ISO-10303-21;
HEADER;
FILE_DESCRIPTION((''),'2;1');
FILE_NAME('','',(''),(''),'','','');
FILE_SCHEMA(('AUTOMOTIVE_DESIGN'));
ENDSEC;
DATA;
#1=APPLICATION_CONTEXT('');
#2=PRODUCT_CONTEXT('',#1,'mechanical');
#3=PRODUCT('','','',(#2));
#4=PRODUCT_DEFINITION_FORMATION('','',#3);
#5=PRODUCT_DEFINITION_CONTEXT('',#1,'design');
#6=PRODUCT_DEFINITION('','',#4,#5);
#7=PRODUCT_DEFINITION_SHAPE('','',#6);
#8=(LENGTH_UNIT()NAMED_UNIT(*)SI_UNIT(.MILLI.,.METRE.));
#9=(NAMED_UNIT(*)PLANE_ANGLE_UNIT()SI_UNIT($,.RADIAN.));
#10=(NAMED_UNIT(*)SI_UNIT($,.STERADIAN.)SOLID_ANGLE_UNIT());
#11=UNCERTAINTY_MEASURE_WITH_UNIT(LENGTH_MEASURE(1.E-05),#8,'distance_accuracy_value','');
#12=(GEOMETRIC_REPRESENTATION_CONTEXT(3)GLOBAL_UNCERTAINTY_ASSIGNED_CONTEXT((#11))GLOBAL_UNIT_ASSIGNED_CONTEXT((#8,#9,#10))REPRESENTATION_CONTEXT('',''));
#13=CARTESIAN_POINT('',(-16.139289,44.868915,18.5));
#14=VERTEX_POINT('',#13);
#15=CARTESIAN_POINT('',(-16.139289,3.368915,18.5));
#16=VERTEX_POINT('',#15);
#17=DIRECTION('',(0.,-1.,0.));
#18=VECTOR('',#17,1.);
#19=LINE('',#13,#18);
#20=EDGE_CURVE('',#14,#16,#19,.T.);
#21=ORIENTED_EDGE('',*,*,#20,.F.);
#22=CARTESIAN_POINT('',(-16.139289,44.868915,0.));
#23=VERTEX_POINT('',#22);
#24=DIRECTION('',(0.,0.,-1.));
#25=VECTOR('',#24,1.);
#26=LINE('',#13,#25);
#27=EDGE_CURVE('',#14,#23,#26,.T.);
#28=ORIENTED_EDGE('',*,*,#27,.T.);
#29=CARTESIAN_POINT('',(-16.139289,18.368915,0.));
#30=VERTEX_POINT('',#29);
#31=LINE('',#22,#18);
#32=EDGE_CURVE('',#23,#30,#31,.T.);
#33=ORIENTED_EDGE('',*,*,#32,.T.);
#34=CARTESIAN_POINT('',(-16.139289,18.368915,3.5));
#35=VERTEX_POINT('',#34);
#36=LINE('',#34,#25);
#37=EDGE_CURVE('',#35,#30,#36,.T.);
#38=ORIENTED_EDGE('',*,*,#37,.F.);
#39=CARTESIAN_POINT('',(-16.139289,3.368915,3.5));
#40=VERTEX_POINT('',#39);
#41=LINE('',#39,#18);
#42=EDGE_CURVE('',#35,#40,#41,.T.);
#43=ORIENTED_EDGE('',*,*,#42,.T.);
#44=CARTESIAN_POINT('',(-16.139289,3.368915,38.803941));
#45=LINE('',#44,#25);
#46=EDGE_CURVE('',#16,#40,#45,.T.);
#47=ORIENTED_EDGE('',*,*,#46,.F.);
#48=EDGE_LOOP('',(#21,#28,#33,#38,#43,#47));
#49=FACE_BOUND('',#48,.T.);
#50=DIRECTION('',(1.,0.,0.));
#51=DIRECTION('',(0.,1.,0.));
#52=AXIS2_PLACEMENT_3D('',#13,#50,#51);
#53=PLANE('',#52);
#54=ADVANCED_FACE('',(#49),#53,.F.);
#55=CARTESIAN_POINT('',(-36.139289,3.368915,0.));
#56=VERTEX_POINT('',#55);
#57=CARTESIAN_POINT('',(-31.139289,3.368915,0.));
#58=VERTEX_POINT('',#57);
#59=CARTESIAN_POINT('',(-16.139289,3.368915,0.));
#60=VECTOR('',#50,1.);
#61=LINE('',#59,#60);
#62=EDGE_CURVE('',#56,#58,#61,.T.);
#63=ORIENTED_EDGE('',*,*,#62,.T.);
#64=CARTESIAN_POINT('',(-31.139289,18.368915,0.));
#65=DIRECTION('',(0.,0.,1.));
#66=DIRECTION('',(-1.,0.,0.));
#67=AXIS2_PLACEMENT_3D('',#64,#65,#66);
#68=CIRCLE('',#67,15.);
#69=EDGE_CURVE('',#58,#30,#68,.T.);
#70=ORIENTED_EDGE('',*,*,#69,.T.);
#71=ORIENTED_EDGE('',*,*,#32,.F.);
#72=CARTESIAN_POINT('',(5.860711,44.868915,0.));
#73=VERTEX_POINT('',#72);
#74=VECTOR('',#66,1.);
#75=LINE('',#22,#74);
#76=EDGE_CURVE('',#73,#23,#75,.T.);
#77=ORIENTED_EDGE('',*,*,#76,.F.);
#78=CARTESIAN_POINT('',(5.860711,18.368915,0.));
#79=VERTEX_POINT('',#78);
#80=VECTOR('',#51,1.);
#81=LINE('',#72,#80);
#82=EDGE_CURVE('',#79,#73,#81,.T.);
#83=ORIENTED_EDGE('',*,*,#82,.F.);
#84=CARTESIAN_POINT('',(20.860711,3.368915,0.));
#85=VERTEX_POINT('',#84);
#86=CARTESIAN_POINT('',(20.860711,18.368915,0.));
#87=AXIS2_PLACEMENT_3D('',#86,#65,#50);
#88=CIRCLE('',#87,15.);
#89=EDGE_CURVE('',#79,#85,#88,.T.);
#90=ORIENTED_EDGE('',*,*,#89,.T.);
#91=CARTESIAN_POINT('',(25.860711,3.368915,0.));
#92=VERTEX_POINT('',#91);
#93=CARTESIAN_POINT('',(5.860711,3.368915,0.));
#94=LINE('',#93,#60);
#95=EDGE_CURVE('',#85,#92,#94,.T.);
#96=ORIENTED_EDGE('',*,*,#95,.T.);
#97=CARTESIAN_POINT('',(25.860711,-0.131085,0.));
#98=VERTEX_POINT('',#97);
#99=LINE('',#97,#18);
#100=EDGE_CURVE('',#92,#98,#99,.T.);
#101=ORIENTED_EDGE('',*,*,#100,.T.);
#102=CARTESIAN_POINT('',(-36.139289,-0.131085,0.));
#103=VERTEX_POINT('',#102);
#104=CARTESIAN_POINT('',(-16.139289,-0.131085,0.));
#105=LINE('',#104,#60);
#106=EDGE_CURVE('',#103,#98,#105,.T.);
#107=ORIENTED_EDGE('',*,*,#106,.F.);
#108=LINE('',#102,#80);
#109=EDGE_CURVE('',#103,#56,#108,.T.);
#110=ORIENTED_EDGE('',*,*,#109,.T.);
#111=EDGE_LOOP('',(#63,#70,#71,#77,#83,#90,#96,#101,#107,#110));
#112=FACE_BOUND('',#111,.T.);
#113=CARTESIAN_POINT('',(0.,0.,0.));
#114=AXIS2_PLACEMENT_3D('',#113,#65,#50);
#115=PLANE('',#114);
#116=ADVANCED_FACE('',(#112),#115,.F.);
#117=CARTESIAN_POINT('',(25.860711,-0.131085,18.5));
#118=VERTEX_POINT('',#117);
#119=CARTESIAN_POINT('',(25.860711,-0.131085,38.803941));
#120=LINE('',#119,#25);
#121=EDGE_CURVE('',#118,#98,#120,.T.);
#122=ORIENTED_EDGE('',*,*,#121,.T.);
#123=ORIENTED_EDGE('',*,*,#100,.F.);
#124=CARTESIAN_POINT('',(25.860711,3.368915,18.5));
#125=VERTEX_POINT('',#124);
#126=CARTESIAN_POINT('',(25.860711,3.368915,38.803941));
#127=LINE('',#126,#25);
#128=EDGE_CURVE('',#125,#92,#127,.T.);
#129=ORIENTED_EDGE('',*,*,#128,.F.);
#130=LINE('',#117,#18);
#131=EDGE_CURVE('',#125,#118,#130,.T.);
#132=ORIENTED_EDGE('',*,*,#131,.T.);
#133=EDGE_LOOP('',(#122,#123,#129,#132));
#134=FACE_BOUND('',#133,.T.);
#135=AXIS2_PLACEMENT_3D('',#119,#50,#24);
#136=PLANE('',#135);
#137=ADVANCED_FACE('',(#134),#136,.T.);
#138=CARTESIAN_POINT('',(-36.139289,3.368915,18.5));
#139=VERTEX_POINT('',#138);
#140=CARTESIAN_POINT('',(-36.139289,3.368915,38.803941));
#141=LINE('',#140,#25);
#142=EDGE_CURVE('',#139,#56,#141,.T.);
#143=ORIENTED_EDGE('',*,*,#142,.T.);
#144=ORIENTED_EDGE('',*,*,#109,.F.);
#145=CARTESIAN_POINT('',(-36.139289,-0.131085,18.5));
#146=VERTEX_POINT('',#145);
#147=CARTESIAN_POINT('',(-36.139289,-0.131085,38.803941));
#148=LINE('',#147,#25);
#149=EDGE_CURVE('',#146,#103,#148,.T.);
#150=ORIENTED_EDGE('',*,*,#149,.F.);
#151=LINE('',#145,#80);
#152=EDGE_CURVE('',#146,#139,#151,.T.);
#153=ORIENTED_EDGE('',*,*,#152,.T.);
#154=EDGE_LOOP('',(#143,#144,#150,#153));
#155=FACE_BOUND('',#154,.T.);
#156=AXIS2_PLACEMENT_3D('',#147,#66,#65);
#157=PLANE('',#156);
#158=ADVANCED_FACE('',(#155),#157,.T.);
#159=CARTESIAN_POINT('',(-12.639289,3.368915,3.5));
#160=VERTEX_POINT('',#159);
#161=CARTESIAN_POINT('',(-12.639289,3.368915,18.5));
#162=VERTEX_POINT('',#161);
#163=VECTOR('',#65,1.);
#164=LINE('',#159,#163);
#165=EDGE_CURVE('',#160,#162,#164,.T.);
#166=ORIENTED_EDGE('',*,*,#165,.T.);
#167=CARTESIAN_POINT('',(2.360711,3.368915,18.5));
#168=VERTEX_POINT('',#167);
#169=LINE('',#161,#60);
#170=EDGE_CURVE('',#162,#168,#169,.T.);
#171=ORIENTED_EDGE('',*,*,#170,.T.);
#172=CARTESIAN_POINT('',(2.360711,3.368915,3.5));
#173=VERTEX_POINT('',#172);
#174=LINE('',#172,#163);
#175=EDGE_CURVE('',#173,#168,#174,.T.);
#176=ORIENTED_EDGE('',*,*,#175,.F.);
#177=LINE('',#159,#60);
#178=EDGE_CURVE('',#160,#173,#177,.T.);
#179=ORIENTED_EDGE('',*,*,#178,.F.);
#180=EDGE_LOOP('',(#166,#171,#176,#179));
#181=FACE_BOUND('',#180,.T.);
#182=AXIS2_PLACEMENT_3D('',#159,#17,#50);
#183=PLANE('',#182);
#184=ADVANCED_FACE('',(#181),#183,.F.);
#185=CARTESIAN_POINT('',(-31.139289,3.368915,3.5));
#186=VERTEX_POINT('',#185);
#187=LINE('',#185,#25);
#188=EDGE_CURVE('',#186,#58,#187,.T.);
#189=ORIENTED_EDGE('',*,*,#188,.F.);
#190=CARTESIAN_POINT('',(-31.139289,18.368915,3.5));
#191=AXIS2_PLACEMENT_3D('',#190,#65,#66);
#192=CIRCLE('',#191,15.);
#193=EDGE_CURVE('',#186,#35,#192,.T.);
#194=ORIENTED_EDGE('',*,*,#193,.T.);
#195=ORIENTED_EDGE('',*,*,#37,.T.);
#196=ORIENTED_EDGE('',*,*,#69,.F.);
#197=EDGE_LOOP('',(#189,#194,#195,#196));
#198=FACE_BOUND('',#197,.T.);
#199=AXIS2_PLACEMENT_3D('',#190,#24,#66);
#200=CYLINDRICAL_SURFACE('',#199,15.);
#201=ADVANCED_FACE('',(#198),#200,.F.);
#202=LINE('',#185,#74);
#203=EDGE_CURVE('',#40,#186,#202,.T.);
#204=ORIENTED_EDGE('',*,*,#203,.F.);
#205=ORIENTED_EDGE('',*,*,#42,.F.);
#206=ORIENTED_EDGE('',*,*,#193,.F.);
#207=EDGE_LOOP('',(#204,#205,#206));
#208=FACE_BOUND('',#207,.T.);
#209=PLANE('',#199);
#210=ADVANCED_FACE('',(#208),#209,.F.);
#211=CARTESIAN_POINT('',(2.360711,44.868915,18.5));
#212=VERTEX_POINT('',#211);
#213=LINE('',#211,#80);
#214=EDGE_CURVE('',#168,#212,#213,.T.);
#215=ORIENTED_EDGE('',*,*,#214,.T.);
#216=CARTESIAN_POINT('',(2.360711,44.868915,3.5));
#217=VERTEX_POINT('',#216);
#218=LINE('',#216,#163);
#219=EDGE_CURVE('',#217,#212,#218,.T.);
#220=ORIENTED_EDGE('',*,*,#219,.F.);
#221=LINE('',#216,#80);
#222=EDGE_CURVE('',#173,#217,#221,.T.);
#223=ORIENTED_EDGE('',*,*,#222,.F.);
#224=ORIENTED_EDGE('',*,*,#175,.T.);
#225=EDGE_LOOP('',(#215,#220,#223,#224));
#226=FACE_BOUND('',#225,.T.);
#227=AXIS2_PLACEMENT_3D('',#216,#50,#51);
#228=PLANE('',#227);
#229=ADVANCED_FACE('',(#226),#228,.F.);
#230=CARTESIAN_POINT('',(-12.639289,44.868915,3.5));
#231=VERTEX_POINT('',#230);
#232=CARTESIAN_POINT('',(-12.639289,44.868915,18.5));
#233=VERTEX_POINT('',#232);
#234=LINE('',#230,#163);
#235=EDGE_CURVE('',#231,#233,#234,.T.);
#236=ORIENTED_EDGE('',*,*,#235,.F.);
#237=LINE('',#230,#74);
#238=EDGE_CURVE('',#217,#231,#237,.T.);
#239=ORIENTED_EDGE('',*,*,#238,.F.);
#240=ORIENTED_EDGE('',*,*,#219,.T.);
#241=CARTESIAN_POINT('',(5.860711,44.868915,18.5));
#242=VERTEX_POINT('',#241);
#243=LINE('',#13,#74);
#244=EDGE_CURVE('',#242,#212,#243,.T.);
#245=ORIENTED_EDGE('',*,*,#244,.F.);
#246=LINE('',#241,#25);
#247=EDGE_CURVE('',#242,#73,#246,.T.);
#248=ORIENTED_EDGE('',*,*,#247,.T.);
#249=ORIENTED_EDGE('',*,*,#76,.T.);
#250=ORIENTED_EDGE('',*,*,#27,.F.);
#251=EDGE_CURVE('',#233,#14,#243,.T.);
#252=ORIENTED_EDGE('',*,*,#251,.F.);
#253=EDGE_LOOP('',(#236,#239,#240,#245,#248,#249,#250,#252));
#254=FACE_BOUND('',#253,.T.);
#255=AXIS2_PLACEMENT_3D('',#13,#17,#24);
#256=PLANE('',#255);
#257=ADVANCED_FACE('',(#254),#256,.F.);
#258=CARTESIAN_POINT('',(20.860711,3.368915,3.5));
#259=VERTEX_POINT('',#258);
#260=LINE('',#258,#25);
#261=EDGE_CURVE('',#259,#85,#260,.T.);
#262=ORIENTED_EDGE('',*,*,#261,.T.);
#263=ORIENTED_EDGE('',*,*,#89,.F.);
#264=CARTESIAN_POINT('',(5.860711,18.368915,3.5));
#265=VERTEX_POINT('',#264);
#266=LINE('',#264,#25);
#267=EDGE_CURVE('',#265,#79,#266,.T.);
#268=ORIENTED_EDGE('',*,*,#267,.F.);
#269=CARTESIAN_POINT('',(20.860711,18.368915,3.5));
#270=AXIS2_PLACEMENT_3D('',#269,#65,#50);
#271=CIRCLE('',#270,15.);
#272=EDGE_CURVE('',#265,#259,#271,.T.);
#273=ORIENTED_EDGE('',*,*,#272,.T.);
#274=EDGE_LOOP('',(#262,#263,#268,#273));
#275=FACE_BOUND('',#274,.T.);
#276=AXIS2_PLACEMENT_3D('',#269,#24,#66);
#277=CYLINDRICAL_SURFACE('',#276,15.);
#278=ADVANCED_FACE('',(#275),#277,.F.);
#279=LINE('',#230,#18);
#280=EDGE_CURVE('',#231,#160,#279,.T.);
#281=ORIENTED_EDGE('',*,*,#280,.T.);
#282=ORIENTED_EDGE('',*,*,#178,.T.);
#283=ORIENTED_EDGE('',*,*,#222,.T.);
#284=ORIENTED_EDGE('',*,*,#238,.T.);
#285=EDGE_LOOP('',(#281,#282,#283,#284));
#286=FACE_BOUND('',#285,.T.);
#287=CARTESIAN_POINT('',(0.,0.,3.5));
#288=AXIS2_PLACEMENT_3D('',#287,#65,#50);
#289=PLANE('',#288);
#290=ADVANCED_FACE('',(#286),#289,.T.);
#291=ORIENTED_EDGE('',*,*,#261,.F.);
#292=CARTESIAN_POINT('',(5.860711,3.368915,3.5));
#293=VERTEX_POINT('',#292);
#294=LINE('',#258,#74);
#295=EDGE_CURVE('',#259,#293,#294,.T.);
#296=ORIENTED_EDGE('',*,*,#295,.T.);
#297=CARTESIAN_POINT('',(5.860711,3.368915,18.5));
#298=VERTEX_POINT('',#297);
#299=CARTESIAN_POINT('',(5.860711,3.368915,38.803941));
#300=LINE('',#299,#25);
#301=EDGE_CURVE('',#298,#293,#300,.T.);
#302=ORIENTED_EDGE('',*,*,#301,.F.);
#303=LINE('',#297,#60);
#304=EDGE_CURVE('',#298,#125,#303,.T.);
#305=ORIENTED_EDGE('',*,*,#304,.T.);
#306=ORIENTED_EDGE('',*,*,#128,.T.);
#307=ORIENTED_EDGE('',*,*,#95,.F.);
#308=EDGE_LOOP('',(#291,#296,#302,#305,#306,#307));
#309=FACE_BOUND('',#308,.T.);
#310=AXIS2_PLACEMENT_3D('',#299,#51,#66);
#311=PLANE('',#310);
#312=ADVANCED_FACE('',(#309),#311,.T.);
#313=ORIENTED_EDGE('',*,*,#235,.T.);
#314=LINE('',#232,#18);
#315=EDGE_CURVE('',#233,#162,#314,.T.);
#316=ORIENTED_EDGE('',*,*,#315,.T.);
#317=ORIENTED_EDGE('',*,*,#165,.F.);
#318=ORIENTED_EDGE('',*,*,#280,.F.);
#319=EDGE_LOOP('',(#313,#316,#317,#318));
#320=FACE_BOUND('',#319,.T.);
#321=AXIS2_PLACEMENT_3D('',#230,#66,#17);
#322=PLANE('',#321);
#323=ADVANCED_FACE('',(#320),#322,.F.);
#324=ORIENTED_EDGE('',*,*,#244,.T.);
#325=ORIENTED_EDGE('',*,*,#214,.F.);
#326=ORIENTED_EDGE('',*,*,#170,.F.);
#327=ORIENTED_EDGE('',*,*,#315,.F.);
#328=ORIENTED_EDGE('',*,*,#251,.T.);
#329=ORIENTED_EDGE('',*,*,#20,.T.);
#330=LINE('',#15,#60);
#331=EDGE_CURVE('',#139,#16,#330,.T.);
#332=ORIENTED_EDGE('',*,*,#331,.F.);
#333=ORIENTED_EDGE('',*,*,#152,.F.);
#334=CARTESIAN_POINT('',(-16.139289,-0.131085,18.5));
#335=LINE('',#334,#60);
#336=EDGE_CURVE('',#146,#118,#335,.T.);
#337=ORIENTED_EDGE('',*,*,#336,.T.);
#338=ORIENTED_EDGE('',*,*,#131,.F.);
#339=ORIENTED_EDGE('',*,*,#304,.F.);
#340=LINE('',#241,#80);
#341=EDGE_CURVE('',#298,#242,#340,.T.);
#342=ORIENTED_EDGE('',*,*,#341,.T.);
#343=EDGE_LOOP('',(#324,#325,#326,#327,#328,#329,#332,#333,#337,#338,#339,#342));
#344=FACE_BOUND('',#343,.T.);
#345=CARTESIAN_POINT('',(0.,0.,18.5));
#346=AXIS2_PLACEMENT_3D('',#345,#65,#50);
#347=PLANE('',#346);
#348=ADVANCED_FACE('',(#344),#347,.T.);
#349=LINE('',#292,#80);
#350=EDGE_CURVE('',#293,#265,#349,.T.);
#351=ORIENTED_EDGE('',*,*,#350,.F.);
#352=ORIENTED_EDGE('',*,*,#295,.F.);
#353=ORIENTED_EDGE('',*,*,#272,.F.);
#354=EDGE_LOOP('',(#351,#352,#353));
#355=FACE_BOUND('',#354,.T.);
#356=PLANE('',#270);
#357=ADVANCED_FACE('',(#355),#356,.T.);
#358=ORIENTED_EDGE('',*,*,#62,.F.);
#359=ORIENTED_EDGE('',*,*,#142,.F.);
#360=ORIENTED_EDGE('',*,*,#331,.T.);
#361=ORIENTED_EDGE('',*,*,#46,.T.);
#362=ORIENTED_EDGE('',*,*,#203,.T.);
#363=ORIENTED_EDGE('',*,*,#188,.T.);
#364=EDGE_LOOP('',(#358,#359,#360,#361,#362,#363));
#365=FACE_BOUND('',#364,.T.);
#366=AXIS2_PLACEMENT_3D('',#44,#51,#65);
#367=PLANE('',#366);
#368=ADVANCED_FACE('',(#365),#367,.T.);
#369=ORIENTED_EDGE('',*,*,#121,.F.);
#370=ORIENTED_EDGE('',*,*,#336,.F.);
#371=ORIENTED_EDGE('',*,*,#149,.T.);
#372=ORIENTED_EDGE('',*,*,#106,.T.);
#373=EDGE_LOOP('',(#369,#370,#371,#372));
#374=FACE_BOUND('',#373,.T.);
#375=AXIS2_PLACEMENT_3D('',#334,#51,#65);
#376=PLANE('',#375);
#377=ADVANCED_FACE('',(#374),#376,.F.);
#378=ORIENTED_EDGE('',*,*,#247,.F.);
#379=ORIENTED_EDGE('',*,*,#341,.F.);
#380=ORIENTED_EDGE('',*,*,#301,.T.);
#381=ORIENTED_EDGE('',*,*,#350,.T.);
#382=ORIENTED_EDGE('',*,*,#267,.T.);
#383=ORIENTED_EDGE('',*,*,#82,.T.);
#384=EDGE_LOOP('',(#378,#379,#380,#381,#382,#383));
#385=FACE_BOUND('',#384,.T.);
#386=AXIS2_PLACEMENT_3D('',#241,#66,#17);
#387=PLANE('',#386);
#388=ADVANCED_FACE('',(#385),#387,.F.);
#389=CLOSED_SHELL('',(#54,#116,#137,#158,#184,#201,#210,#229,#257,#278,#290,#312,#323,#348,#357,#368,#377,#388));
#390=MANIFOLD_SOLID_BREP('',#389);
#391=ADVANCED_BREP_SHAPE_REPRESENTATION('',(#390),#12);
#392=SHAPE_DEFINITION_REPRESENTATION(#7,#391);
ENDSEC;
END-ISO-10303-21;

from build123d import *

# Parameters (mm, degrees)
SKETCH1_W           = 22
SKETCH1_H           = 45
BOSS_EXTRUDE1_DEPTH = 18.5
SKETCH2_W           = 15
SKETCH2_H           = 41.5
CUT_EXTRUDE1_DEPTH  = 15
SKETCH3_W           = 20
SKETCH3_H           = 3.5
BOSS_EXTRUDE2_DEPTH = 18.5
BOSS_EXTRUDE3_DEPTH = 3.5


with BuildPart() as part:
    # Sketch1 → Boss-Extrude1 (new body)
    with BuildSketch(Plane.XY):
        with Locations((-5.139289452, 22.368914656)):
            Rectangle(SKETCH1_W, SKETCH1_H)
    extrude(amount=BOSS_EXTRUDE1_DEPTH)

    # Sketch2 → Cut-Extrude1 (cut)
    with BuildSketch(Plane.XY.offset(18.5)):
        with Locations((-5.139289452, 24.118914656)):
            Rectangle(SKETCH2_W, SKETCH2_H)
    extrude(amount=-CUT_EXTRUDE1_DEPTH, mode=Mode.SUBTRACT)

    # Sketch3 → Boss-Extrude2 (add)
    with BuildSketch(Plane(origin=(0, 0, 0), x_dir=(-1, 0, 0), z_dir=(0, 0, -1))):
        with Locations((26.139289452, 1.618914656)):
            Rectangle(SKETCH3_W, SKETCH3_H)
        with Locations((-15.860710548, 1.618914656)):
            Rectangle(SKETCH3_W, SKETCH3_H)
    extrude(amount=-BOSS_EXTRUDE2_DEPTH)

    # Sketch4 → Boss-Extrude3 (add)
    with BuildSketch(Plane(origin=(0, 0, 0), x_dir=(-1, 0, 0), z_dir=(0, 0, -1))):
        with BuildLine():
            Line((31.139289452, 3.368914656), (16.139289452, 3.368914656))
            Line((16.139289452, 3.368914656), (16.139289452, 18.368914656))
            ThreePointArc((16.139289452, 18.368914656), (20.532687735, 7.762312938), (31.139289452, 3.368914656))
        make_face()
        with BuildLine():
            Line((-20.860710548, 3.368914656), (-5.860710548, 3.368914656))
            Line((-5.860710548, 3.368914656), (-5.860710548, 18.368914656))
            ThreePointArc((-5.860710548, 18.368914656), (-10.25410883, 7.762312938), (-20.860710548, 3.368914656))
        make_face()
    extrude(amount=-BOSS_EXTRUDE3_DEPTH)


solid = part.part
